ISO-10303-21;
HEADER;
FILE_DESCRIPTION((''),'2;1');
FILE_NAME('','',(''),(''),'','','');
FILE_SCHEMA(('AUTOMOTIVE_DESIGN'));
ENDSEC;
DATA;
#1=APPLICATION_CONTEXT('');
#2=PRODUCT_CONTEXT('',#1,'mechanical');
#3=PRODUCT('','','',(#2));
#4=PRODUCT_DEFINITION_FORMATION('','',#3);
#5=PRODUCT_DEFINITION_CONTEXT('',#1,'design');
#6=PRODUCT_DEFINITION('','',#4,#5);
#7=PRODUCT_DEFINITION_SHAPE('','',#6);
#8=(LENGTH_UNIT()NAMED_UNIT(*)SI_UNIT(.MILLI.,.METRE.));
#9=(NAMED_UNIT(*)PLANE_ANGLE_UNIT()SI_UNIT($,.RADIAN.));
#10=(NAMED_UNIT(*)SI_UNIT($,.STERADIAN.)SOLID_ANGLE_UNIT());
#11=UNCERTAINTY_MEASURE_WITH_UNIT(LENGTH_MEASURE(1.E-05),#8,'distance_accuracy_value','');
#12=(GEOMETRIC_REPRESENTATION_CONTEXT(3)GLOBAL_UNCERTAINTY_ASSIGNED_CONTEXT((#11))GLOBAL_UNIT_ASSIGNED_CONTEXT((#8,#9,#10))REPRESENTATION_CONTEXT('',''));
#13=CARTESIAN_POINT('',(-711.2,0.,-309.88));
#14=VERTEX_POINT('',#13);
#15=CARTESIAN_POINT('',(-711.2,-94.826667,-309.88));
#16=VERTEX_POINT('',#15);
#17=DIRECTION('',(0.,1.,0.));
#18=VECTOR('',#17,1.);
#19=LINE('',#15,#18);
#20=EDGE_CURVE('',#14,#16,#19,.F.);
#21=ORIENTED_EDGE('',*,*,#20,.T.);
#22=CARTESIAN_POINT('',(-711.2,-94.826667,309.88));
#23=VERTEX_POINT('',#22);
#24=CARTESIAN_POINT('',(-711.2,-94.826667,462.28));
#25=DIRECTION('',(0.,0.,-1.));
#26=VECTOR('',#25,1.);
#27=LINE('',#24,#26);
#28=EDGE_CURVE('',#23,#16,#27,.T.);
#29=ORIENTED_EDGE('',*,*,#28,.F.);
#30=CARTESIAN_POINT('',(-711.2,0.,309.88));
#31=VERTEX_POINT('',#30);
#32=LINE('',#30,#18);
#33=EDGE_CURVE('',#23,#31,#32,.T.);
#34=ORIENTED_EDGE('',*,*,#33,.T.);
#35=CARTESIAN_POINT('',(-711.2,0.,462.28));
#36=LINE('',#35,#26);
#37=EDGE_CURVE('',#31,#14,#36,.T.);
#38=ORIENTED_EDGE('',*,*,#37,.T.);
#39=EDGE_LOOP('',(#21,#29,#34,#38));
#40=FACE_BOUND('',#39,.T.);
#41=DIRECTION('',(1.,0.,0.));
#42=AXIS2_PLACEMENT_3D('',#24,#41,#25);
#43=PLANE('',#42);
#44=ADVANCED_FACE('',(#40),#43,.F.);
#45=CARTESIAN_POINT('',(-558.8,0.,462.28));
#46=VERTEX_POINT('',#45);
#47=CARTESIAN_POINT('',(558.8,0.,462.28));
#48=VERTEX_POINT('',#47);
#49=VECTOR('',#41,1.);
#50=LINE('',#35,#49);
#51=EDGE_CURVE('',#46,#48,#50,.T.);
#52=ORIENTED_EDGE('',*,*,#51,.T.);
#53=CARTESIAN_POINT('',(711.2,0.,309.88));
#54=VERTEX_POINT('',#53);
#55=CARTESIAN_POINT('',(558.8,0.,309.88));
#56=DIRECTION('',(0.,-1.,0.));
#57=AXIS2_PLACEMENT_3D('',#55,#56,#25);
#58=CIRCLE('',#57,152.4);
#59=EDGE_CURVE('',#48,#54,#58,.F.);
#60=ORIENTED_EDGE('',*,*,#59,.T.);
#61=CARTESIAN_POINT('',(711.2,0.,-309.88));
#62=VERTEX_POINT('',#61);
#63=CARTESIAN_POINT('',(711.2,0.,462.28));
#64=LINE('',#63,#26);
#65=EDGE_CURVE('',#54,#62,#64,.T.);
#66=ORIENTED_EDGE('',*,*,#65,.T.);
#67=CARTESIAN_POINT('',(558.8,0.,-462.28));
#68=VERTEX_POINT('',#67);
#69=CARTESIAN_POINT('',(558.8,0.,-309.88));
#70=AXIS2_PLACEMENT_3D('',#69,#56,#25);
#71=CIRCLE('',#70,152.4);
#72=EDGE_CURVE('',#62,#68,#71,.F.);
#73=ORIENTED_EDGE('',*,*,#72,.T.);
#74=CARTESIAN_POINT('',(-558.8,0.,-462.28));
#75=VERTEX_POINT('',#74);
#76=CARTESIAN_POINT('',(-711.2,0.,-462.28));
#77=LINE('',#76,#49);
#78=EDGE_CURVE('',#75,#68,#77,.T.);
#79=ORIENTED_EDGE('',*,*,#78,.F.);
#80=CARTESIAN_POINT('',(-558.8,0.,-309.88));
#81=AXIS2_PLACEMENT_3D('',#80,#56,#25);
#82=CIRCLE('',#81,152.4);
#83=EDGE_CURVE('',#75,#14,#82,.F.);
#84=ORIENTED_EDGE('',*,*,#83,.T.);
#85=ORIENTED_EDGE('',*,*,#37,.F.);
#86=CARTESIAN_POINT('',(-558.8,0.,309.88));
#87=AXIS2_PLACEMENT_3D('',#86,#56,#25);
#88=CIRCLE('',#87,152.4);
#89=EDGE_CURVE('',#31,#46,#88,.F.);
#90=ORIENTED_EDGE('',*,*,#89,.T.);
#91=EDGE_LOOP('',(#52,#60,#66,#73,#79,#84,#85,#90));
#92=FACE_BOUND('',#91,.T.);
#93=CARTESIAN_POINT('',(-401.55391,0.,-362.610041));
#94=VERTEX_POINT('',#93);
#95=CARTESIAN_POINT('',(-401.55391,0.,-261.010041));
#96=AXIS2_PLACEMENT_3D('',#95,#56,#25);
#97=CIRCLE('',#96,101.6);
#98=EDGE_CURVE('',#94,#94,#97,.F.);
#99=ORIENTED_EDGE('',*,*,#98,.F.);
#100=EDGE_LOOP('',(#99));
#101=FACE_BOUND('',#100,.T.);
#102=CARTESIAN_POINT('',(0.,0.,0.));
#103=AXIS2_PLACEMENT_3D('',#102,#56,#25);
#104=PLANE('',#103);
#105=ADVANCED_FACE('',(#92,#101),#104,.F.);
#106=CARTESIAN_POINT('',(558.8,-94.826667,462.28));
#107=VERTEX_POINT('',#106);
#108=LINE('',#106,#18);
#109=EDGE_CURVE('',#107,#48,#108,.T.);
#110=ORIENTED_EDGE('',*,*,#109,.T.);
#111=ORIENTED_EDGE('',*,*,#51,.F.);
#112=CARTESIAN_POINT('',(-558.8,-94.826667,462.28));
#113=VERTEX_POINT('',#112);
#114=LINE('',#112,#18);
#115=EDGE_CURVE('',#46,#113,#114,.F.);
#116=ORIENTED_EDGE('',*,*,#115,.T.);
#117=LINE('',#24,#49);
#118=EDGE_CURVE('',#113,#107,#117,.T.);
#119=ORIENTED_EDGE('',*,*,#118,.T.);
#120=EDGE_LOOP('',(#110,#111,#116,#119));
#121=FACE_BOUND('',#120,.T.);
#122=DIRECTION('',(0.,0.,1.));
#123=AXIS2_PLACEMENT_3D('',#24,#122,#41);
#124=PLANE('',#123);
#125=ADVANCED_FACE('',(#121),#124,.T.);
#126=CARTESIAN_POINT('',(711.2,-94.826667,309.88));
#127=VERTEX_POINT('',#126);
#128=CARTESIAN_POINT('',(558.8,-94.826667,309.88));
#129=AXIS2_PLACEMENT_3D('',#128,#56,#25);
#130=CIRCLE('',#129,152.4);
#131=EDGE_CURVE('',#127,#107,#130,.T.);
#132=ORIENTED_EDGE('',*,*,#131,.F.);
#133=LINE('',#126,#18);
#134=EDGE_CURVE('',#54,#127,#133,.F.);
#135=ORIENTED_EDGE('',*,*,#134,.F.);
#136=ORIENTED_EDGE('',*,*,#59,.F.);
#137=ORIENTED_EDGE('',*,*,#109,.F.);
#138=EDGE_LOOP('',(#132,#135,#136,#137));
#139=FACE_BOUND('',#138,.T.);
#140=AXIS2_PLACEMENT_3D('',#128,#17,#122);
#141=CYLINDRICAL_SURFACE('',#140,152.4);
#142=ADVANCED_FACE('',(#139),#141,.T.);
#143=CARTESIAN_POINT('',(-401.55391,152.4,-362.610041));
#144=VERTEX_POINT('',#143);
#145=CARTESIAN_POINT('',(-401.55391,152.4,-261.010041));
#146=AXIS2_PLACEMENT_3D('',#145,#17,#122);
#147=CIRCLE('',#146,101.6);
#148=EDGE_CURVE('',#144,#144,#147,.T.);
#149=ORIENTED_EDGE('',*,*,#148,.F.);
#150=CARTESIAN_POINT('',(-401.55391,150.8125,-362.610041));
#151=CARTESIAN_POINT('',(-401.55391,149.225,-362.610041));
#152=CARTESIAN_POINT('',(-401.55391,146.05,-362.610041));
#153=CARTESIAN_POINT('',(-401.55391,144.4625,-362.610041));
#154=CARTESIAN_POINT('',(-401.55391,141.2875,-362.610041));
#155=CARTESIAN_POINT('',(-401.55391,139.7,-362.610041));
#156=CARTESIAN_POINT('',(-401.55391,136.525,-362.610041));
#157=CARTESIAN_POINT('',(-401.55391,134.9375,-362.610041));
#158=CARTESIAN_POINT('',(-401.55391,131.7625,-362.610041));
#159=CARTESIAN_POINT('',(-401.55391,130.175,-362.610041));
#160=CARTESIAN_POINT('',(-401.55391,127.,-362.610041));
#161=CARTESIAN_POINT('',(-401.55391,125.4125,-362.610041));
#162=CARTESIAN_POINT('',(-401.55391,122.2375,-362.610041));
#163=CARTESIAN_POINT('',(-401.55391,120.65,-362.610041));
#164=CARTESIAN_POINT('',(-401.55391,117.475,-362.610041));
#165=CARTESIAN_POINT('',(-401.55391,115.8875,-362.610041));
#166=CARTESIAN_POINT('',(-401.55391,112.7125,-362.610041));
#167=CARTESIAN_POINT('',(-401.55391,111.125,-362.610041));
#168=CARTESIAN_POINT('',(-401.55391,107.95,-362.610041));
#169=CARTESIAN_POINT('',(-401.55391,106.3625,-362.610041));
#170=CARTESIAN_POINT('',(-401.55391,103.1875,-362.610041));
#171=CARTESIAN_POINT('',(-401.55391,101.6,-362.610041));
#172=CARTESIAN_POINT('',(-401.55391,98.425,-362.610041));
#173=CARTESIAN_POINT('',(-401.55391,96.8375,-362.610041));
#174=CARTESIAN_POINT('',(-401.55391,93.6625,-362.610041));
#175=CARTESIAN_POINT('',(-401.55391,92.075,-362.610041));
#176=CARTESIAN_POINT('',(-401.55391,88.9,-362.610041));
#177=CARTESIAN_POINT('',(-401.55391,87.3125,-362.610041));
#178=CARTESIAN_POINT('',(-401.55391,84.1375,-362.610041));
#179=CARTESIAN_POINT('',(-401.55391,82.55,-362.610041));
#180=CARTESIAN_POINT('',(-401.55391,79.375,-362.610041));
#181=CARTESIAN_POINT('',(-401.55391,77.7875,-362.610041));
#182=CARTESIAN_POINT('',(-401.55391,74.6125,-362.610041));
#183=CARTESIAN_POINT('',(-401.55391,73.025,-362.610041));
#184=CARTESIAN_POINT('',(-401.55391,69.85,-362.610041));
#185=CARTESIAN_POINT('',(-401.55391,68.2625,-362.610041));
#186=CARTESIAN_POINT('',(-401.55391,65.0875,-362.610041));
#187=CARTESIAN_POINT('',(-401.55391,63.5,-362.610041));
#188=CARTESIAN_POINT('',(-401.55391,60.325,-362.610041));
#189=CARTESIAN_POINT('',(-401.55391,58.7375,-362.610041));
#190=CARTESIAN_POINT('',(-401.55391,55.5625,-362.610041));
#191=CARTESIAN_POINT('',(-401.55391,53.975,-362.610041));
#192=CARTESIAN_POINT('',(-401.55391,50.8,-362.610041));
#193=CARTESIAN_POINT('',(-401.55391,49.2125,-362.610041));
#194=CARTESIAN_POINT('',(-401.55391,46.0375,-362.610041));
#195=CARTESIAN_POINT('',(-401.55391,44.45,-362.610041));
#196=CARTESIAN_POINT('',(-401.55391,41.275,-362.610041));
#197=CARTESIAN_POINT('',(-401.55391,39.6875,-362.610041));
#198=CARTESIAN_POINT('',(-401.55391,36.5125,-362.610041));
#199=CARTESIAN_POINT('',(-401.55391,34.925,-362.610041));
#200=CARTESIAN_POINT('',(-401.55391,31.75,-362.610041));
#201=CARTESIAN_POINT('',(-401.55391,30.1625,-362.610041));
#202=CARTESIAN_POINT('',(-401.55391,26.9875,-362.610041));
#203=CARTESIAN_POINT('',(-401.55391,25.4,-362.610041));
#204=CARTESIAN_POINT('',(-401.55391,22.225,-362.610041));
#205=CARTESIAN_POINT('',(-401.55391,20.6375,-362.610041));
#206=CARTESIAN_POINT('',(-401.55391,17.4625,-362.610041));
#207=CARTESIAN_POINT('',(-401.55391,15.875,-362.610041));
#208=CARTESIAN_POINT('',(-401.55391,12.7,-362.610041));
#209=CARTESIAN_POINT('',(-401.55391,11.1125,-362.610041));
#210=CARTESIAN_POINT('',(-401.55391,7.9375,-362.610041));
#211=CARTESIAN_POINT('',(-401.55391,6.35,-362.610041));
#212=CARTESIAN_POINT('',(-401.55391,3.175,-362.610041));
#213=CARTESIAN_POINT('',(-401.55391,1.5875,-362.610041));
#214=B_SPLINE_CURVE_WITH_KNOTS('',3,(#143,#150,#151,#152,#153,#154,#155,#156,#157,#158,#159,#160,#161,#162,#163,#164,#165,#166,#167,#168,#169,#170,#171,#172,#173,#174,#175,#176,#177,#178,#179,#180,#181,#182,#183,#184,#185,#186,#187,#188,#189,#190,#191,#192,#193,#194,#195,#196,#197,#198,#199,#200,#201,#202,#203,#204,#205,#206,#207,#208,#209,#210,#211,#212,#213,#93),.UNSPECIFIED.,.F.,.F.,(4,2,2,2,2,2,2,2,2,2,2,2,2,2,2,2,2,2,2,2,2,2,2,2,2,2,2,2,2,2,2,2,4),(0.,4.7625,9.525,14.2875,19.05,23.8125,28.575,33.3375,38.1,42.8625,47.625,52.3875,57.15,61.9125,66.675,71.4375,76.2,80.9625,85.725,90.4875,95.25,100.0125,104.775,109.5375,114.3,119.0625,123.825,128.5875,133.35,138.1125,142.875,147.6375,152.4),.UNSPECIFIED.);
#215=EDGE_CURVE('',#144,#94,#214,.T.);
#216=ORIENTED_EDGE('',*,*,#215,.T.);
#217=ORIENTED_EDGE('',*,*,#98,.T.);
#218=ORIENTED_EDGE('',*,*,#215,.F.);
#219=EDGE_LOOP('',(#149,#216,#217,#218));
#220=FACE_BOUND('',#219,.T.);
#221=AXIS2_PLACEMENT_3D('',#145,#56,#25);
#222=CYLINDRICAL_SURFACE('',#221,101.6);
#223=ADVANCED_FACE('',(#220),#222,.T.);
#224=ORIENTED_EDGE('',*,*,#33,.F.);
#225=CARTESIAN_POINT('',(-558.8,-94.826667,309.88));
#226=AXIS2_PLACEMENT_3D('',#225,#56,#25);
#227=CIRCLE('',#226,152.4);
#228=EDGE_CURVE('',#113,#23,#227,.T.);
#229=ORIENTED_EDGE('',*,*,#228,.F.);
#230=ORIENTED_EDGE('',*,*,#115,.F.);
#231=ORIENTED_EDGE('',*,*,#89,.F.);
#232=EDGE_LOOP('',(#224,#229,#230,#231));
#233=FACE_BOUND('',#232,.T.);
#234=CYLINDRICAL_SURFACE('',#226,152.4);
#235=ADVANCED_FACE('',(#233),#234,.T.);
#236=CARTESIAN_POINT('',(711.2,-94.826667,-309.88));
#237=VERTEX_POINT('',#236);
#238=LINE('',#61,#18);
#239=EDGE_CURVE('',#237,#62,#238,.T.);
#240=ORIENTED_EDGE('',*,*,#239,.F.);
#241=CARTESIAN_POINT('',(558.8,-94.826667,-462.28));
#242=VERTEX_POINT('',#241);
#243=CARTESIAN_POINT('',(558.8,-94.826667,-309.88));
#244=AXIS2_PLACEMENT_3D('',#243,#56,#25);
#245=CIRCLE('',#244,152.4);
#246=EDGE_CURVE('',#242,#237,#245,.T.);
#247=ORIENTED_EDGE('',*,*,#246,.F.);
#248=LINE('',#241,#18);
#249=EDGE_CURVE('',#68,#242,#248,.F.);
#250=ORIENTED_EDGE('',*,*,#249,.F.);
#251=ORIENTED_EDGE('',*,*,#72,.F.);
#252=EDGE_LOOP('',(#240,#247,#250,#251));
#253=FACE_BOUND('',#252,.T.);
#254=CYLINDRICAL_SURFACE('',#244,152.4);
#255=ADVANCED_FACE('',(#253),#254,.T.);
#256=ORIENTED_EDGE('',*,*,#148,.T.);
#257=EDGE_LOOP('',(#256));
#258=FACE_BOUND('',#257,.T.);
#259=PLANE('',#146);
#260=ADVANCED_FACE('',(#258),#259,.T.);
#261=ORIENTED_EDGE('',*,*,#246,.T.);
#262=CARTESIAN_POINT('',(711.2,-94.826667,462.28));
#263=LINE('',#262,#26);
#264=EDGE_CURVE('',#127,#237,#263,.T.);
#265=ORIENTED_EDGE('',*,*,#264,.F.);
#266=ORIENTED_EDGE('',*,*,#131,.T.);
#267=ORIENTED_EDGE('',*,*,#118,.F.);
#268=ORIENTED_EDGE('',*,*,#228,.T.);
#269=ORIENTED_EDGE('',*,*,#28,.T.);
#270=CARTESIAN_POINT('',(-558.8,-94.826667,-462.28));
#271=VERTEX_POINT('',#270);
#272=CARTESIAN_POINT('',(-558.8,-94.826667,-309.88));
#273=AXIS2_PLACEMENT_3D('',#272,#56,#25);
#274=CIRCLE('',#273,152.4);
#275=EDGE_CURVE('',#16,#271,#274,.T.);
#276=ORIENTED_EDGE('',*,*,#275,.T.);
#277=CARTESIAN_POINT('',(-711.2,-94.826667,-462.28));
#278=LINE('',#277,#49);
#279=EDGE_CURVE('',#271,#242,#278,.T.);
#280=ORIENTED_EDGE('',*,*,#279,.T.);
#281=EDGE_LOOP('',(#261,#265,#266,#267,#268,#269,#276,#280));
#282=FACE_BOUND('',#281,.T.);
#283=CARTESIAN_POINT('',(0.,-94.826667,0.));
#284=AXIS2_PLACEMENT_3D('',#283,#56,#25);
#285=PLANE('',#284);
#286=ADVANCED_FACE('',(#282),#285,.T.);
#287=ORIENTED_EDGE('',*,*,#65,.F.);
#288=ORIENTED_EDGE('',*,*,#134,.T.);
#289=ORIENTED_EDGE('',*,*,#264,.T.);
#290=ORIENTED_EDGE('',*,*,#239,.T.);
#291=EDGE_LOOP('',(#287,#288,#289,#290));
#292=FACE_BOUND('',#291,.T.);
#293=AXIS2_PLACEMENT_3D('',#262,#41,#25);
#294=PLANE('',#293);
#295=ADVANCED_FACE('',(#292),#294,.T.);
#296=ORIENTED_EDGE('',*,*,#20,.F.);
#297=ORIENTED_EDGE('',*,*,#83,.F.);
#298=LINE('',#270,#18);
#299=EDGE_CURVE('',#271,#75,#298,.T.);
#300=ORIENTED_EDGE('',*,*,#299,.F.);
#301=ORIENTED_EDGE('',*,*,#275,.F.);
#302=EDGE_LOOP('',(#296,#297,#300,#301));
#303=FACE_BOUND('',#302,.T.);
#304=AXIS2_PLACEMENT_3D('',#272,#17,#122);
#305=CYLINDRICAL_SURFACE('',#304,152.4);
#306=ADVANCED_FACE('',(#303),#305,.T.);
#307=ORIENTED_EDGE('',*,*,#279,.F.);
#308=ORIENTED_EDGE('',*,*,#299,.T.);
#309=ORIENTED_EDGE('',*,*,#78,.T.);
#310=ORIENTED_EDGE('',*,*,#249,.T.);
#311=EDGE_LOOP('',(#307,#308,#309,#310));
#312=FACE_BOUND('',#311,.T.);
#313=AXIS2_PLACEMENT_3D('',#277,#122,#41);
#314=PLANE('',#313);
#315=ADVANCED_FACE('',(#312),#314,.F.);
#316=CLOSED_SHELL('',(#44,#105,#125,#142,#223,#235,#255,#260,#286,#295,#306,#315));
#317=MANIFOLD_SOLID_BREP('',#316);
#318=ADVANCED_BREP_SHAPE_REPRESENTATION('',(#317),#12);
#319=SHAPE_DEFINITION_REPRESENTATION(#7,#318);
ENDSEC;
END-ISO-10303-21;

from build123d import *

# Parameters (mm, degrees)
SKETCH1_W           = 1422.4
SKETCH1_H           = 924.56
BOSS_EXTRUDE1_DEPTH = 94.826666667
FILLET1_R           = 152.4
SKETCH1_3_R         = 101.6
BOSS_EXTRUDE2_DEPTH = 152.4


with BuildPart() as part:
    # Sketch1 → Boss-Extrude1 (new body)
    with BuildSketch(Plane(origin=(0, 0, 0), x_dir=(1, 0, 0), z_dir=(0, 1, 0))):
        Rectangle(SKETCH1_W, SKETCH1_H)
    extrude(amount=-BOSS_EXTRUDE1_DEPTH)

    # Fillet1
    fillet1_edges = [part.edges().sort_by_distance(p)[0] for p in [
        (-711.2, -47.413333333, -462.28),
        (711.2, -47.413333333, -462.28),
        (711.2, -47.413333333, 462.28),
        (-711.2, -47.413333333, 462.28),
    ]]
    fillet(fillet1_edges, radius=FILLET1_R)

    # Sketch1<3> → Boss-Extrude2 (add)
    with BuildSketch(Plane(origin=(0, 0, 0), x_dir=(1, 0, 0), z_dir=(0, 1, 0))):
        with Locations((-401.553909641, 261.010041267)):
            Circle(SKETCH1_3_R)
    extrude(amount=BOSS_EXTRUDE2_DEPTH)


solid = part.part
